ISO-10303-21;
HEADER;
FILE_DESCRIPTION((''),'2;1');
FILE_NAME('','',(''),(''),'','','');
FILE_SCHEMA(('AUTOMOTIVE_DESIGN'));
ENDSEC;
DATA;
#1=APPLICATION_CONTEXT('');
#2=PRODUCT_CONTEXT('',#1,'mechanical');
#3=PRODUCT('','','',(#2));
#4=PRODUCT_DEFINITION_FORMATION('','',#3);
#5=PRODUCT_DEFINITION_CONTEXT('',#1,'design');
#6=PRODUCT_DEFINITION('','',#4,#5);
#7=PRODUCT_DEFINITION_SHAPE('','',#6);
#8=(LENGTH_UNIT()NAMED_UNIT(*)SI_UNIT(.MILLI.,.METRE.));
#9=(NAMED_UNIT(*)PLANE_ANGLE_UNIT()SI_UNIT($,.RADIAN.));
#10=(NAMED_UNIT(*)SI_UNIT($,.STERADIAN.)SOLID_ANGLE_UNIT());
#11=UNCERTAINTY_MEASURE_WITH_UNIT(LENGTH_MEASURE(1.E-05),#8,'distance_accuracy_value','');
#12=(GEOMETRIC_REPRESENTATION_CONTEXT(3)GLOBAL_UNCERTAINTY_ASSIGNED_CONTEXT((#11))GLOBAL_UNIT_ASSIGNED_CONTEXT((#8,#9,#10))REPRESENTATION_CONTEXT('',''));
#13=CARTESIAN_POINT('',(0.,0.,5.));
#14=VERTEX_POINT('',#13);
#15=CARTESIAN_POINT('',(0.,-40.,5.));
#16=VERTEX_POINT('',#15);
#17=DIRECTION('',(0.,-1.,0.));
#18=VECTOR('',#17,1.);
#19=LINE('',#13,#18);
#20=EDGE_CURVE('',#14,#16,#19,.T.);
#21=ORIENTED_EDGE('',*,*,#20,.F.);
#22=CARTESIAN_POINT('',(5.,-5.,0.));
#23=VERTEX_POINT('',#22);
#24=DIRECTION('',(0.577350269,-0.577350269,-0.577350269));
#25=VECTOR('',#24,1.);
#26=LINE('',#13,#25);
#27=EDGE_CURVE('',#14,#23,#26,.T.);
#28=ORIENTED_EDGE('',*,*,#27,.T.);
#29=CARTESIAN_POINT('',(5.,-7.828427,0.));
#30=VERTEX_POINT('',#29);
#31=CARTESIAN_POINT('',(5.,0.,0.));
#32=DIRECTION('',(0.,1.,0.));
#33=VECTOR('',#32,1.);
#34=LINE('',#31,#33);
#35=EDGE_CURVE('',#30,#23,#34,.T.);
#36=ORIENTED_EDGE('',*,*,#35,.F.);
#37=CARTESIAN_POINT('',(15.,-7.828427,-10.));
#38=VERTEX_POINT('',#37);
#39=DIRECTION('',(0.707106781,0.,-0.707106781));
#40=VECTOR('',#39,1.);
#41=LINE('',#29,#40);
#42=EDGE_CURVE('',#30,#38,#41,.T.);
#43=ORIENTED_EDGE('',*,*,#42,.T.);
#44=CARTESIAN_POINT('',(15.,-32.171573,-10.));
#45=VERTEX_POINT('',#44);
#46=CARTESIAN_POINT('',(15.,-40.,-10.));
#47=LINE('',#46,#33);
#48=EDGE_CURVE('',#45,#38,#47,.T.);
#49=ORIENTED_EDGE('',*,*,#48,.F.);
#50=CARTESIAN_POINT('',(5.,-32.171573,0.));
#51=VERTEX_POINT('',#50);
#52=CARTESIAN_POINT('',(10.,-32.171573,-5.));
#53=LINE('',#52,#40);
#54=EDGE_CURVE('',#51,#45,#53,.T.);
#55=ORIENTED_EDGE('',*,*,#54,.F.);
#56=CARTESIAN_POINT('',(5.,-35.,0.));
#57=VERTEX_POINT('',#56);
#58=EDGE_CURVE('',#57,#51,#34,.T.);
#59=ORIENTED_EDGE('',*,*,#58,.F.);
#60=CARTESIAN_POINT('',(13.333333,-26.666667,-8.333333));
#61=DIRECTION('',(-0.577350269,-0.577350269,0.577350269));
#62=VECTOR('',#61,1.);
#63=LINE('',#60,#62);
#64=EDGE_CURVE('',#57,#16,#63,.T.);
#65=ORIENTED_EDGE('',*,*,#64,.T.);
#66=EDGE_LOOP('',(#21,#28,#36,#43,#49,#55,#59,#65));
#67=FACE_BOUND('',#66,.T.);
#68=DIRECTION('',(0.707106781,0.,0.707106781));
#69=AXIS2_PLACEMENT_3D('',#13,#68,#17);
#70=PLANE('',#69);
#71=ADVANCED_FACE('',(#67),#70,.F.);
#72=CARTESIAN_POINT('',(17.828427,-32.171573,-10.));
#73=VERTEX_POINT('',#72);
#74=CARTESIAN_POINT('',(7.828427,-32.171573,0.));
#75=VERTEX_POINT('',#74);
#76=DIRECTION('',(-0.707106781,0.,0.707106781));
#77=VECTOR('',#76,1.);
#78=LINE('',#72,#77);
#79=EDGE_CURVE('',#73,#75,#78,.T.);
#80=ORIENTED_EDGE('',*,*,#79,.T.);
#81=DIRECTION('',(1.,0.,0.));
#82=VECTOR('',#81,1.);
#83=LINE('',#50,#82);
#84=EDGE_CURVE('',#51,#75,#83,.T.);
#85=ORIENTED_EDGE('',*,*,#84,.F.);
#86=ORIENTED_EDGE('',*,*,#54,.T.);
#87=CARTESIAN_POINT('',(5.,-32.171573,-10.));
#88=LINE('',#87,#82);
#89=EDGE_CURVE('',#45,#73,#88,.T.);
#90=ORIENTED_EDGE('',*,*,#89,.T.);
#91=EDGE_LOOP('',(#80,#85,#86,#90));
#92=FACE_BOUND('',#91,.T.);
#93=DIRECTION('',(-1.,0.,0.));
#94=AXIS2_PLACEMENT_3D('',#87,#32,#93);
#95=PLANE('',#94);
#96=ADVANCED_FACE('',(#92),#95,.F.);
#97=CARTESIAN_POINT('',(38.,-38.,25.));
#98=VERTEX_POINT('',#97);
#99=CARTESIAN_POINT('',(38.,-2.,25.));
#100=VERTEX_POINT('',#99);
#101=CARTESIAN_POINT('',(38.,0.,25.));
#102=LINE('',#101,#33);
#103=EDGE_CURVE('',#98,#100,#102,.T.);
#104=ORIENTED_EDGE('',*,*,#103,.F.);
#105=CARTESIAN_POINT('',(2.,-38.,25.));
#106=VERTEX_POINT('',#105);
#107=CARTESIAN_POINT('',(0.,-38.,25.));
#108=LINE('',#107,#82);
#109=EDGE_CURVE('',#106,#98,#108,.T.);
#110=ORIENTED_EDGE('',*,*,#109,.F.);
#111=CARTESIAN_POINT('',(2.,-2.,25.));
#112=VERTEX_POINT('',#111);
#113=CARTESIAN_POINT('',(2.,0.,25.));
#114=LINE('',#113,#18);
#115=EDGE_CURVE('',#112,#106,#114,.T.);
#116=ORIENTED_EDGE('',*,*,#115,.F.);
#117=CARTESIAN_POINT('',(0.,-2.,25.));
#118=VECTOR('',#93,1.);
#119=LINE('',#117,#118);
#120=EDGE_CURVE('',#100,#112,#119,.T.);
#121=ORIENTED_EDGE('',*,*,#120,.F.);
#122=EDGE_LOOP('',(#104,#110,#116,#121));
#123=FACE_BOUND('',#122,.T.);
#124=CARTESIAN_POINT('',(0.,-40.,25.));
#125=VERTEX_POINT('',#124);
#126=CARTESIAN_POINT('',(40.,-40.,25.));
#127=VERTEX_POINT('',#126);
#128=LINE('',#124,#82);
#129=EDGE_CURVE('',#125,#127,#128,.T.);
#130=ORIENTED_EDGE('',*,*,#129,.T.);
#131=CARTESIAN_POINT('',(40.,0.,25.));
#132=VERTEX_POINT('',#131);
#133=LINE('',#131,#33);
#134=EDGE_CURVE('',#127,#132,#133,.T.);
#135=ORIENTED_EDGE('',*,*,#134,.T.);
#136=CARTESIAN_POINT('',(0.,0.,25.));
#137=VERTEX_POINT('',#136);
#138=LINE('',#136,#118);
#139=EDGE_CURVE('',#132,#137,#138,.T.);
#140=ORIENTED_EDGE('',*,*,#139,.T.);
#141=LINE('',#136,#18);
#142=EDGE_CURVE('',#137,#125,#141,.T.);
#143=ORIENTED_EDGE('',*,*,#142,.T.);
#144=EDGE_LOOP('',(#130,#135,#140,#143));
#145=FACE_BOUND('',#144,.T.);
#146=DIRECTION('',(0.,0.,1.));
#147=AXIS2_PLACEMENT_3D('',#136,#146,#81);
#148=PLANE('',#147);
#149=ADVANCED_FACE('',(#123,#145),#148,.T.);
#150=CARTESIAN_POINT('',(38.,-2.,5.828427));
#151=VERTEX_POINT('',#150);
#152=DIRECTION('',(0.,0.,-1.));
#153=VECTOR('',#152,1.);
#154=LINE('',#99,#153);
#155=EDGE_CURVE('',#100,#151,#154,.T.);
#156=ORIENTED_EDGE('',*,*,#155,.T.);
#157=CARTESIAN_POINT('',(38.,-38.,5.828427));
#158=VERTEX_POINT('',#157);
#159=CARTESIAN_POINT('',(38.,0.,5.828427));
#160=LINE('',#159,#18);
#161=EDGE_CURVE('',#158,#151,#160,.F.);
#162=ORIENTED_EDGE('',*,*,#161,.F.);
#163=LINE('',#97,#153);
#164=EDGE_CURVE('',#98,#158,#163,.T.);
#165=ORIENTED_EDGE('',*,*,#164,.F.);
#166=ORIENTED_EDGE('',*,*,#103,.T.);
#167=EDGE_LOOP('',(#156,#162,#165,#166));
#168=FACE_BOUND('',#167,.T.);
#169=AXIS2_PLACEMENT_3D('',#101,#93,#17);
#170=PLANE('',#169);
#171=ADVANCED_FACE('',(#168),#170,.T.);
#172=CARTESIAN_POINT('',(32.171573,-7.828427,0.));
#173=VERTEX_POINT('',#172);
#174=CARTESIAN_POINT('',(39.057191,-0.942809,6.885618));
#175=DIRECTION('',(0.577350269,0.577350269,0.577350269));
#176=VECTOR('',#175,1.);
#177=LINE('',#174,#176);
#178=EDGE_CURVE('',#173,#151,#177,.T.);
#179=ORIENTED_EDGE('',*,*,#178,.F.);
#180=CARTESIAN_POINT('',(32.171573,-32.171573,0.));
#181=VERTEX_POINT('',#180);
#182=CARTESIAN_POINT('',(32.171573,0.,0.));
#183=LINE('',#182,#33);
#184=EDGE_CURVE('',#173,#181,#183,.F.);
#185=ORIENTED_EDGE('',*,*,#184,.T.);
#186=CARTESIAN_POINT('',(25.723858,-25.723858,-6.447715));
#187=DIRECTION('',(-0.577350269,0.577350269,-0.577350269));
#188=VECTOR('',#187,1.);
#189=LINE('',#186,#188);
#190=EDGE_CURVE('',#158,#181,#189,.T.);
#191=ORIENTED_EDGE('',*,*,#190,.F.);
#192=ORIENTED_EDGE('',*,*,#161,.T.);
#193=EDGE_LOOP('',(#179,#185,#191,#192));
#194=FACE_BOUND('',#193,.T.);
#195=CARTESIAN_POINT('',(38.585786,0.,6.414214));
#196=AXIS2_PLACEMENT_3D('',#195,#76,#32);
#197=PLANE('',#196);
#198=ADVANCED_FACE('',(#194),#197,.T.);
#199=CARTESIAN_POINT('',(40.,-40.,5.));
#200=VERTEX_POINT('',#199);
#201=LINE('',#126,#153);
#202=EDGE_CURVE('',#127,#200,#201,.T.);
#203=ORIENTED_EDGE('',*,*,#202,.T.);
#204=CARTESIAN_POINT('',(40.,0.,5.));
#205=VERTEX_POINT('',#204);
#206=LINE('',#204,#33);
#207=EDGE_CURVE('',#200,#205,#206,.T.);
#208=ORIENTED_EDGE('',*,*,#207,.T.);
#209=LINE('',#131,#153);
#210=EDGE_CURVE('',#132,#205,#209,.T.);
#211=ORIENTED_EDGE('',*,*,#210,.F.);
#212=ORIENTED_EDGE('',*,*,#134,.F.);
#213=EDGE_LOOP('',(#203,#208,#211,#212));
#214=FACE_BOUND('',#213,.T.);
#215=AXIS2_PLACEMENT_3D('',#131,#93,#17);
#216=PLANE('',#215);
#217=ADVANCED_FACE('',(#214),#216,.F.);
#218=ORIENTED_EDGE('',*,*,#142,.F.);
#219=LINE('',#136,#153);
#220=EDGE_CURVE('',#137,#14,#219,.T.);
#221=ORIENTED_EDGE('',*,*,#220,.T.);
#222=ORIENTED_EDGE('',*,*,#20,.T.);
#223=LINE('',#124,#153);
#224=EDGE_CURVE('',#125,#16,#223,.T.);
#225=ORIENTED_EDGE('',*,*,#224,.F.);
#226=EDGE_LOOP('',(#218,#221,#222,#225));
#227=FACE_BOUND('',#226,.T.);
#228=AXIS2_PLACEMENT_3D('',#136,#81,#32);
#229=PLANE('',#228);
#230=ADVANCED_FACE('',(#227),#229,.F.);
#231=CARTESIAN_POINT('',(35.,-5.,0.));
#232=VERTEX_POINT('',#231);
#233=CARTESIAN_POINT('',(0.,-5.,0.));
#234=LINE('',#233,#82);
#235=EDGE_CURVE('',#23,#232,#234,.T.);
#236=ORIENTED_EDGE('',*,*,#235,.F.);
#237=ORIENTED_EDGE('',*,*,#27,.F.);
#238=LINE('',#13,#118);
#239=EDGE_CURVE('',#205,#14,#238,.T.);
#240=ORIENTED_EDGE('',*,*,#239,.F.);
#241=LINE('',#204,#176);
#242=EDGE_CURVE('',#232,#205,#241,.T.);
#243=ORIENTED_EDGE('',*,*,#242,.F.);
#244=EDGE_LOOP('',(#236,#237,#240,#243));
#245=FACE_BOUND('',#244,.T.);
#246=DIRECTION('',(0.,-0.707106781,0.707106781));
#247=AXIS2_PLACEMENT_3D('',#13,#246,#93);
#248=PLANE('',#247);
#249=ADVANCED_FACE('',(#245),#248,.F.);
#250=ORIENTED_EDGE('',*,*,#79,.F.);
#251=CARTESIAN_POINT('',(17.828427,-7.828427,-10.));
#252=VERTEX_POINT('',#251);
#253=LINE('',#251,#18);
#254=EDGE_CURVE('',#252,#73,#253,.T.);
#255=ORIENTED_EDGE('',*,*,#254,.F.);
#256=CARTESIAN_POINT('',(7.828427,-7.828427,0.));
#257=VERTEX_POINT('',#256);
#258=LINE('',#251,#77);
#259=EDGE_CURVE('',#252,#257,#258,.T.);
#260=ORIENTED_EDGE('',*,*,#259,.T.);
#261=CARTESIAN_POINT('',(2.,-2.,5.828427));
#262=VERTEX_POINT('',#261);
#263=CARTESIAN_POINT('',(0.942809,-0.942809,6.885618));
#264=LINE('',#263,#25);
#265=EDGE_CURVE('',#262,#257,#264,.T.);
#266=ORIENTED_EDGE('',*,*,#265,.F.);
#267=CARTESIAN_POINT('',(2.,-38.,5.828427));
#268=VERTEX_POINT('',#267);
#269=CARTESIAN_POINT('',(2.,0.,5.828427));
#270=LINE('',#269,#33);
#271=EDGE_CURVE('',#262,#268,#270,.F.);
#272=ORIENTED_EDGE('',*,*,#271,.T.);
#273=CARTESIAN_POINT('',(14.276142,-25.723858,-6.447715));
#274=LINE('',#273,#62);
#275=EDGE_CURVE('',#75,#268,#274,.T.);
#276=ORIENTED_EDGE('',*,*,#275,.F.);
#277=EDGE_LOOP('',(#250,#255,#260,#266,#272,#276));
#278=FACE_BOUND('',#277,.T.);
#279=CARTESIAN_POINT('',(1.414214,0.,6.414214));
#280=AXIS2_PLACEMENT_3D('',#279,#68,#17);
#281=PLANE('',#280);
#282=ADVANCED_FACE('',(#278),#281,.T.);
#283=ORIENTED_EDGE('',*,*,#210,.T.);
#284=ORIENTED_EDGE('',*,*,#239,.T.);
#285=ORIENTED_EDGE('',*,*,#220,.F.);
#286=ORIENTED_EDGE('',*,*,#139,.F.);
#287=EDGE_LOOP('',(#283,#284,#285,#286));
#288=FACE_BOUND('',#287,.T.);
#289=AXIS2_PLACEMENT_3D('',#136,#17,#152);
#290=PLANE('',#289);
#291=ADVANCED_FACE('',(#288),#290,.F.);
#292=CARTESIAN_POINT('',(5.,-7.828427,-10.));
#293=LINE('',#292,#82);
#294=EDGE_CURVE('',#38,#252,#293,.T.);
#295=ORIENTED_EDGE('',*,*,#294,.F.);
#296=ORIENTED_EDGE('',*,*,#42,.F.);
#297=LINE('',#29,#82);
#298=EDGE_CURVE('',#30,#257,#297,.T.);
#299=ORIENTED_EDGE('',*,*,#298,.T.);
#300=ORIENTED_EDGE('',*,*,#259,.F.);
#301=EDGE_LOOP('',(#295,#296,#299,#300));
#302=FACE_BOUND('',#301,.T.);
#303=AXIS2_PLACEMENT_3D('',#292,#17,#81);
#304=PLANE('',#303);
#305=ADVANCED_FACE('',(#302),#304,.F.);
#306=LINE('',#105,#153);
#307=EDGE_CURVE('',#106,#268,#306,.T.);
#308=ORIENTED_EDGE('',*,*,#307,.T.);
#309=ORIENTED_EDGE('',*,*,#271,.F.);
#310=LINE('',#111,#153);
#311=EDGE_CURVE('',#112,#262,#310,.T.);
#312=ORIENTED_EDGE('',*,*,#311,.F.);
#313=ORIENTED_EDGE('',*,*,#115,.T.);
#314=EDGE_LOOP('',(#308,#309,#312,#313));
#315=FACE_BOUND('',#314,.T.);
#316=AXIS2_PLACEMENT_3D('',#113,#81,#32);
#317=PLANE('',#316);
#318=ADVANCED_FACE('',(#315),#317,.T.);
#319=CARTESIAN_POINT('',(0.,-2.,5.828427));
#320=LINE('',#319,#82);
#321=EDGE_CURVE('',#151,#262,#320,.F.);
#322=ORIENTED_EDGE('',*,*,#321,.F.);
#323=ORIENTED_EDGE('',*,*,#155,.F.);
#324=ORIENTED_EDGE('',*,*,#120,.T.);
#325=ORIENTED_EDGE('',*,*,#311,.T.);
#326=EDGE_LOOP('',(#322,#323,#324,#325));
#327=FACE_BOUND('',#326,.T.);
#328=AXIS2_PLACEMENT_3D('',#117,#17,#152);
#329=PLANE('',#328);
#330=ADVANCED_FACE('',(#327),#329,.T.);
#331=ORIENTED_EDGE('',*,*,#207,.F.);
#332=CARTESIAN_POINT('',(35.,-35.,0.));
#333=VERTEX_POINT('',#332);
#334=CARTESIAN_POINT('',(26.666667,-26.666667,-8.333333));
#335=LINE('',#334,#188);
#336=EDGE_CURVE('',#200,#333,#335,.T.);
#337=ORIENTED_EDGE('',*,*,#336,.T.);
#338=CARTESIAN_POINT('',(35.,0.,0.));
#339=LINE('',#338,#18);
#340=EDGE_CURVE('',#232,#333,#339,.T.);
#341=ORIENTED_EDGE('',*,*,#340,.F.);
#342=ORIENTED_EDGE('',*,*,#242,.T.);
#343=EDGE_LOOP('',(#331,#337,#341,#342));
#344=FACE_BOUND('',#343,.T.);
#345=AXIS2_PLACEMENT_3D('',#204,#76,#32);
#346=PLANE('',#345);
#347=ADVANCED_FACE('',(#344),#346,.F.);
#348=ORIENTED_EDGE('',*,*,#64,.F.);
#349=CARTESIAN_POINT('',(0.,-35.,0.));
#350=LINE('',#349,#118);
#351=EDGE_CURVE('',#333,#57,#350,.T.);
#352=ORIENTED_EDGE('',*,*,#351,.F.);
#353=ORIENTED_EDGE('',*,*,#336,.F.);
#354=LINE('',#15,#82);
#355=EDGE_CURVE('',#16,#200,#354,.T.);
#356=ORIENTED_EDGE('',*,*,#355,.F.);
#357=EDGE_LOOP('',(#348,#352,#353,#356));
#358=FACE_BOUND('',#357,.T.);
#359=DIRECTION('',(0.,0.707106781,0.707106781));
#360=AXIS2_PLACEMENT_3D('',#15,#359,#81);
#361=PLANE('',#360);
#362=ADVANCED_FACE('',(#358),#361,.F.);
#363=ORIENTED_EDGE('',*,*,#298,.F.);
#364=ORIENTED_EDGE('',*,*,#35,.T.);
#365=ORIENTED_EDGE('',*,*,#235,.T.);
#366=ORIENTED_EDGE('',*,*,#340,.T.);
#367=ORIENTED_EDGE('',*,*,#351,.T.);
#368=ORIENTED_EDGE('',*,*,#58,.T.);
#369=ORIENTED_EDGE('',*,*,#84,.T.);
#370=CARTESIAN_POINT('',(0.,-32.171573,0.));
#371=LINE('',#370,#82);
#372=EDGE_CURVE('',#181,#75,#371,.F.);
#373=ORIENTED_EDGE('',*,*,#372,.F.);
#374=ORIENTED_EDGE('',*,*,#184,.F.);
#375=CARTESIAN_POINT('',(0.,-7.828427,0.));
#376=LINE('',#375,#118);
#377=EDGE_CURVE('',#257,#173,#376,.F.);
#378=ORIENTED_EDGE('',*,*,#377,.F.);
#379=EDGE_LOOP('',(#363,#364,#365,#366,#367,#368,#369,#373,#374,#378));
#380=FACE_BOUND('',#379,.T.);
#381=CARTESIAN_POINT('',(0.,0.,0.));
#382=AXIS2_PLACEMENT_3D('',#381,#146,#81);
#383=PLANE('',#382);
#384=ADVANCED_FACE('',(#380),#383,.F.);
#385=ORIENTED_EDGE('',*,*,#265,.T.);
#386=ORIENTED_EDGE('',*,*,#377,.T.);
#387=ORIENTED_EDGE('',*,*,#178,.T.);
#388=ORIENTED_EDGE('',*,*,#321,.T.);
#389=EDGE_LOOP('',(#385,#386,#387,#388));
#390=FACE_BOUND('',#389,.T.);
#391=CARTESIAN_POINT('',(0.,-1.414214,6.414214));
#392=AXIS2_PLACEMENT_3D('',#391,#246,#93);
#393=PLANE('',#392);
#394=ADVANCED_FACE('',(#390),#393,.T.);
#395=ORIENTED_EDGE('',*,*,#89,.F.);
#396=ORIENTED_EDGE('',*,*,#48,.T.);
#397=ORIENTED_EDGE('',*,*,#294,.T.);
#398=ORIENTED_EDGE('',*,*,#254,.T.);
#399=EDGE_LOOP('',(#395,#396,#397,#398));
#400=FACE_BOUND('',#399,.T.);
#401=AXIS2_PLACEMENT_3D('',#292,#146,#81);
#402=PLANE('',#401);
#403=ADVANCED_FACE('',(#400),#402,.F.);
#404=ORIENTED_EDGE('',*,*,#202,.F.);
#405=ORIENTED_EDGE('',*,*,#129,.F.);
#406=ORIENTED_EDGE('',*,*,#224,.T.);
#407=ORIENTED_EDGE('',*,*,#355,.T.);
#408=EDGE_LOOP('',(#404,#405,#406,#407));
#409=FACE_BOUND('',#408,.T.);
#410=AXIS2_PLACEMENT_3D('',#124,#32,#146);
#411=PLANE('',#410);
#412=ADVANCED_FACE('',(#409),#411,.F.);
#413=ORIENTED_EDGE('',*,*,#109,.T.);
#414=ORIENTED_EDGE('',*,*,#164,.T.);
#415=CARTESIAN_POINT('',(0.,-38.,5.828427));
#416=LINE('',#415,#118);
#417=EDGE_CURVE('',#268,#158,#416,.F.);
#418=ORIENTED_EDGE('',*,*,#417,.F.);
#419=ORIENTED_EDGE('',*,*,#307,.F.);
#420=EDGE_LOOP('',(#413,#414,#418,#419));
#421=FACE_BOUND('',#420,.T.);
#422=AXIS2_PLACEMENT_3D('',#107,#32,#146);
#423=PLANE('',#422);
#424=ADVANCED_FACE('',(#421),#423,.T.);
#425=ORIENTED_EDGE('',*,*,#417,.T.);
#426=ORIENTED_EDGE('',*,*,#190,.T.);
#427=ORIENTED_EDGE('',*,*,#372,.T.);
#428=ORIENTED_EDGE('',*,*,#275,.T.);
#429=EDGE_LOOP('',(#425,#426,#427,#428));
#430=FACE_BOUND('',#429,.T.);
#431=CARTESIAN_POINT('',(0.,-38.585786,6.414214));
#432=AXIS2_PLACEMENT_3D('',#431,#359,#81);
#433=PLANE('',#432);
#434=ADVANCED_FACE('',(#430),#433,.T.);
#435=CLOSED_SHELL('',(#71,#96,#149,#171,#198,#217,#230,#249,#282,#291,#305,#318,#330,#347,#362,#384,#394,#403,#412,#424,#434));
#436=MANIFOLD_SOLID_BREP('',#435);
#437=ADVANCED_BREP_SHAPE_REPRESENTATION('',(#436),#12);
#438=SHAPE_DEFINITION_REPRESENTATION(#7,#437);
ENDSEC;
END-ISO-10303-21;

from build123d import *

# Parameters (mm, degrees)
SKETCH1_W           = 40
SKETCH1_H           = 40
BOSS_EXTRUDE1_DEPTH = 25
CHAMFER1_SIZE       = 5
CHAMFER2_SIZE       = 5
CHAMFER3_SIZE       = 5
CHAMFER4_SIZE       = 5
SHELL1_T            = -2
SKETCH7_W           = 10
SKETCH7_H           = 24.34314575
BOSS_EXTRUDE6_DEPTH = 10
CUT_EXTRUDE2_DEPTH  = 24.343146
SKETCH11_W          = 10
SKETCH11_H          = 24.34314575
BOSS_EXTRUDE8_DEPTH = 2.828427
CUT_EXTRUDE4_DEPTH  = 58.096498152


with BuildPart() as part:
    # Sketch1 → Boss-Extrude1 (new body)
    with BuildSketch(Plane.XY):
        with Locations((20, -20)):
            Rectangle(SKETCH1_W, SKETCH1_H)
    extrude(amount=BOSS_EXTRUDE1_DEPTH)

    # Chamfer1
    chamfer1_edges = [part.edges().sort_by_distance(p)[0] for p in [
        (0, -20, 0),
    ]]
    chamfer(chamfer1_edges, length=CHAMFER1_SIZE)

    # Chamfer2
    chamfer2_edges = [part.edges().sort_by_distance(p)[0] for p in [
        (40, -20, 0),
    ]]
    chamfer(chamfer2_edges, length=CHAMFER2_SIZE)

    # Chamfer3
    chamfer3_edges = [part.edges().sort_by_distance(p)[0] for p in [
        (20, -40, 0),
    ]]
    chamfer(chamfer3_edges, length=CHAMFER3_SIZE)

    # Chamfer4
    chamfer4_edges = [part.edges().sort_by_distance(p)[0] for p in [
        (20, 0, 0),
    ]]
    chamfer(chamfer4_edges, length=CHAMFER4_SIZE)

    # Shell1
    shell1_openings = [part.faces().sort_by_distance(p)[0] for p in [
        (20, -20, 25),
        (20, -20, 0),
    ]]
    offset(amount=SHELL1_T, openings=shell1_openings, kind=Kind.INTERSECTION)



with BuildPart() as body_2:
    # Sketch7 → Boss-Extrude6 (new body)
    with BuildSketch(Plane(origin=(0, 0, 0), x_dir=(-1, 0, 0), z_dir=(0, 0, -1))):
        with Locations((-12.828427125, -20)):
            Rectangle(SKETCH7_W, SKETCH7_H)
    extrude(amount=BOSS_EXTRUDE6_DEPTH)

    # Sketch8 → Cut-Extrude2 (cut)
    with BuildSketch(Plane(origin=(0, -7.828427125, 0), x_dir=(1, 0, 0), z_dir=(0, 1, 0))):
        Polygon((7.828427125, 0), (17.828427125, 0), (17.828427125, 10), align=None)
    extrude(amount=-CUT_EXTRUDE2_DEPTH, mode=Mode.SUBTRACT)


with BuildPart() as part_1:
    add(part.part)

    add(body_2.part)  # Boss-Extrude8 merges body 2
    # Sketch11 → Boss-Extrude8 (add)
    with BuildSketch(Plane.ZY.offset(-7.828427125)):
        with Locations((-5, -20)):
            Rectangle(SKETCH11_W, SKETCH11_H)
    extrude(amount=BOSS_EXTRUDE8_DEPTH)

    # Sketch13 → Cut-Extrude4 (cut, through all)
    with BuildSketch(Plane(origin=(0, -7.828427125, 0), x_dir=(1, 0, 0), z_dir=(0, 1, 0))):
        Polygon((5, 0), (15, 10), (5, 10), align=None)
    extrude(amount=-CUT_EXTRUDE4_DEPTH, mode=Mode.SUBTRACT)


solid = part_1.part
